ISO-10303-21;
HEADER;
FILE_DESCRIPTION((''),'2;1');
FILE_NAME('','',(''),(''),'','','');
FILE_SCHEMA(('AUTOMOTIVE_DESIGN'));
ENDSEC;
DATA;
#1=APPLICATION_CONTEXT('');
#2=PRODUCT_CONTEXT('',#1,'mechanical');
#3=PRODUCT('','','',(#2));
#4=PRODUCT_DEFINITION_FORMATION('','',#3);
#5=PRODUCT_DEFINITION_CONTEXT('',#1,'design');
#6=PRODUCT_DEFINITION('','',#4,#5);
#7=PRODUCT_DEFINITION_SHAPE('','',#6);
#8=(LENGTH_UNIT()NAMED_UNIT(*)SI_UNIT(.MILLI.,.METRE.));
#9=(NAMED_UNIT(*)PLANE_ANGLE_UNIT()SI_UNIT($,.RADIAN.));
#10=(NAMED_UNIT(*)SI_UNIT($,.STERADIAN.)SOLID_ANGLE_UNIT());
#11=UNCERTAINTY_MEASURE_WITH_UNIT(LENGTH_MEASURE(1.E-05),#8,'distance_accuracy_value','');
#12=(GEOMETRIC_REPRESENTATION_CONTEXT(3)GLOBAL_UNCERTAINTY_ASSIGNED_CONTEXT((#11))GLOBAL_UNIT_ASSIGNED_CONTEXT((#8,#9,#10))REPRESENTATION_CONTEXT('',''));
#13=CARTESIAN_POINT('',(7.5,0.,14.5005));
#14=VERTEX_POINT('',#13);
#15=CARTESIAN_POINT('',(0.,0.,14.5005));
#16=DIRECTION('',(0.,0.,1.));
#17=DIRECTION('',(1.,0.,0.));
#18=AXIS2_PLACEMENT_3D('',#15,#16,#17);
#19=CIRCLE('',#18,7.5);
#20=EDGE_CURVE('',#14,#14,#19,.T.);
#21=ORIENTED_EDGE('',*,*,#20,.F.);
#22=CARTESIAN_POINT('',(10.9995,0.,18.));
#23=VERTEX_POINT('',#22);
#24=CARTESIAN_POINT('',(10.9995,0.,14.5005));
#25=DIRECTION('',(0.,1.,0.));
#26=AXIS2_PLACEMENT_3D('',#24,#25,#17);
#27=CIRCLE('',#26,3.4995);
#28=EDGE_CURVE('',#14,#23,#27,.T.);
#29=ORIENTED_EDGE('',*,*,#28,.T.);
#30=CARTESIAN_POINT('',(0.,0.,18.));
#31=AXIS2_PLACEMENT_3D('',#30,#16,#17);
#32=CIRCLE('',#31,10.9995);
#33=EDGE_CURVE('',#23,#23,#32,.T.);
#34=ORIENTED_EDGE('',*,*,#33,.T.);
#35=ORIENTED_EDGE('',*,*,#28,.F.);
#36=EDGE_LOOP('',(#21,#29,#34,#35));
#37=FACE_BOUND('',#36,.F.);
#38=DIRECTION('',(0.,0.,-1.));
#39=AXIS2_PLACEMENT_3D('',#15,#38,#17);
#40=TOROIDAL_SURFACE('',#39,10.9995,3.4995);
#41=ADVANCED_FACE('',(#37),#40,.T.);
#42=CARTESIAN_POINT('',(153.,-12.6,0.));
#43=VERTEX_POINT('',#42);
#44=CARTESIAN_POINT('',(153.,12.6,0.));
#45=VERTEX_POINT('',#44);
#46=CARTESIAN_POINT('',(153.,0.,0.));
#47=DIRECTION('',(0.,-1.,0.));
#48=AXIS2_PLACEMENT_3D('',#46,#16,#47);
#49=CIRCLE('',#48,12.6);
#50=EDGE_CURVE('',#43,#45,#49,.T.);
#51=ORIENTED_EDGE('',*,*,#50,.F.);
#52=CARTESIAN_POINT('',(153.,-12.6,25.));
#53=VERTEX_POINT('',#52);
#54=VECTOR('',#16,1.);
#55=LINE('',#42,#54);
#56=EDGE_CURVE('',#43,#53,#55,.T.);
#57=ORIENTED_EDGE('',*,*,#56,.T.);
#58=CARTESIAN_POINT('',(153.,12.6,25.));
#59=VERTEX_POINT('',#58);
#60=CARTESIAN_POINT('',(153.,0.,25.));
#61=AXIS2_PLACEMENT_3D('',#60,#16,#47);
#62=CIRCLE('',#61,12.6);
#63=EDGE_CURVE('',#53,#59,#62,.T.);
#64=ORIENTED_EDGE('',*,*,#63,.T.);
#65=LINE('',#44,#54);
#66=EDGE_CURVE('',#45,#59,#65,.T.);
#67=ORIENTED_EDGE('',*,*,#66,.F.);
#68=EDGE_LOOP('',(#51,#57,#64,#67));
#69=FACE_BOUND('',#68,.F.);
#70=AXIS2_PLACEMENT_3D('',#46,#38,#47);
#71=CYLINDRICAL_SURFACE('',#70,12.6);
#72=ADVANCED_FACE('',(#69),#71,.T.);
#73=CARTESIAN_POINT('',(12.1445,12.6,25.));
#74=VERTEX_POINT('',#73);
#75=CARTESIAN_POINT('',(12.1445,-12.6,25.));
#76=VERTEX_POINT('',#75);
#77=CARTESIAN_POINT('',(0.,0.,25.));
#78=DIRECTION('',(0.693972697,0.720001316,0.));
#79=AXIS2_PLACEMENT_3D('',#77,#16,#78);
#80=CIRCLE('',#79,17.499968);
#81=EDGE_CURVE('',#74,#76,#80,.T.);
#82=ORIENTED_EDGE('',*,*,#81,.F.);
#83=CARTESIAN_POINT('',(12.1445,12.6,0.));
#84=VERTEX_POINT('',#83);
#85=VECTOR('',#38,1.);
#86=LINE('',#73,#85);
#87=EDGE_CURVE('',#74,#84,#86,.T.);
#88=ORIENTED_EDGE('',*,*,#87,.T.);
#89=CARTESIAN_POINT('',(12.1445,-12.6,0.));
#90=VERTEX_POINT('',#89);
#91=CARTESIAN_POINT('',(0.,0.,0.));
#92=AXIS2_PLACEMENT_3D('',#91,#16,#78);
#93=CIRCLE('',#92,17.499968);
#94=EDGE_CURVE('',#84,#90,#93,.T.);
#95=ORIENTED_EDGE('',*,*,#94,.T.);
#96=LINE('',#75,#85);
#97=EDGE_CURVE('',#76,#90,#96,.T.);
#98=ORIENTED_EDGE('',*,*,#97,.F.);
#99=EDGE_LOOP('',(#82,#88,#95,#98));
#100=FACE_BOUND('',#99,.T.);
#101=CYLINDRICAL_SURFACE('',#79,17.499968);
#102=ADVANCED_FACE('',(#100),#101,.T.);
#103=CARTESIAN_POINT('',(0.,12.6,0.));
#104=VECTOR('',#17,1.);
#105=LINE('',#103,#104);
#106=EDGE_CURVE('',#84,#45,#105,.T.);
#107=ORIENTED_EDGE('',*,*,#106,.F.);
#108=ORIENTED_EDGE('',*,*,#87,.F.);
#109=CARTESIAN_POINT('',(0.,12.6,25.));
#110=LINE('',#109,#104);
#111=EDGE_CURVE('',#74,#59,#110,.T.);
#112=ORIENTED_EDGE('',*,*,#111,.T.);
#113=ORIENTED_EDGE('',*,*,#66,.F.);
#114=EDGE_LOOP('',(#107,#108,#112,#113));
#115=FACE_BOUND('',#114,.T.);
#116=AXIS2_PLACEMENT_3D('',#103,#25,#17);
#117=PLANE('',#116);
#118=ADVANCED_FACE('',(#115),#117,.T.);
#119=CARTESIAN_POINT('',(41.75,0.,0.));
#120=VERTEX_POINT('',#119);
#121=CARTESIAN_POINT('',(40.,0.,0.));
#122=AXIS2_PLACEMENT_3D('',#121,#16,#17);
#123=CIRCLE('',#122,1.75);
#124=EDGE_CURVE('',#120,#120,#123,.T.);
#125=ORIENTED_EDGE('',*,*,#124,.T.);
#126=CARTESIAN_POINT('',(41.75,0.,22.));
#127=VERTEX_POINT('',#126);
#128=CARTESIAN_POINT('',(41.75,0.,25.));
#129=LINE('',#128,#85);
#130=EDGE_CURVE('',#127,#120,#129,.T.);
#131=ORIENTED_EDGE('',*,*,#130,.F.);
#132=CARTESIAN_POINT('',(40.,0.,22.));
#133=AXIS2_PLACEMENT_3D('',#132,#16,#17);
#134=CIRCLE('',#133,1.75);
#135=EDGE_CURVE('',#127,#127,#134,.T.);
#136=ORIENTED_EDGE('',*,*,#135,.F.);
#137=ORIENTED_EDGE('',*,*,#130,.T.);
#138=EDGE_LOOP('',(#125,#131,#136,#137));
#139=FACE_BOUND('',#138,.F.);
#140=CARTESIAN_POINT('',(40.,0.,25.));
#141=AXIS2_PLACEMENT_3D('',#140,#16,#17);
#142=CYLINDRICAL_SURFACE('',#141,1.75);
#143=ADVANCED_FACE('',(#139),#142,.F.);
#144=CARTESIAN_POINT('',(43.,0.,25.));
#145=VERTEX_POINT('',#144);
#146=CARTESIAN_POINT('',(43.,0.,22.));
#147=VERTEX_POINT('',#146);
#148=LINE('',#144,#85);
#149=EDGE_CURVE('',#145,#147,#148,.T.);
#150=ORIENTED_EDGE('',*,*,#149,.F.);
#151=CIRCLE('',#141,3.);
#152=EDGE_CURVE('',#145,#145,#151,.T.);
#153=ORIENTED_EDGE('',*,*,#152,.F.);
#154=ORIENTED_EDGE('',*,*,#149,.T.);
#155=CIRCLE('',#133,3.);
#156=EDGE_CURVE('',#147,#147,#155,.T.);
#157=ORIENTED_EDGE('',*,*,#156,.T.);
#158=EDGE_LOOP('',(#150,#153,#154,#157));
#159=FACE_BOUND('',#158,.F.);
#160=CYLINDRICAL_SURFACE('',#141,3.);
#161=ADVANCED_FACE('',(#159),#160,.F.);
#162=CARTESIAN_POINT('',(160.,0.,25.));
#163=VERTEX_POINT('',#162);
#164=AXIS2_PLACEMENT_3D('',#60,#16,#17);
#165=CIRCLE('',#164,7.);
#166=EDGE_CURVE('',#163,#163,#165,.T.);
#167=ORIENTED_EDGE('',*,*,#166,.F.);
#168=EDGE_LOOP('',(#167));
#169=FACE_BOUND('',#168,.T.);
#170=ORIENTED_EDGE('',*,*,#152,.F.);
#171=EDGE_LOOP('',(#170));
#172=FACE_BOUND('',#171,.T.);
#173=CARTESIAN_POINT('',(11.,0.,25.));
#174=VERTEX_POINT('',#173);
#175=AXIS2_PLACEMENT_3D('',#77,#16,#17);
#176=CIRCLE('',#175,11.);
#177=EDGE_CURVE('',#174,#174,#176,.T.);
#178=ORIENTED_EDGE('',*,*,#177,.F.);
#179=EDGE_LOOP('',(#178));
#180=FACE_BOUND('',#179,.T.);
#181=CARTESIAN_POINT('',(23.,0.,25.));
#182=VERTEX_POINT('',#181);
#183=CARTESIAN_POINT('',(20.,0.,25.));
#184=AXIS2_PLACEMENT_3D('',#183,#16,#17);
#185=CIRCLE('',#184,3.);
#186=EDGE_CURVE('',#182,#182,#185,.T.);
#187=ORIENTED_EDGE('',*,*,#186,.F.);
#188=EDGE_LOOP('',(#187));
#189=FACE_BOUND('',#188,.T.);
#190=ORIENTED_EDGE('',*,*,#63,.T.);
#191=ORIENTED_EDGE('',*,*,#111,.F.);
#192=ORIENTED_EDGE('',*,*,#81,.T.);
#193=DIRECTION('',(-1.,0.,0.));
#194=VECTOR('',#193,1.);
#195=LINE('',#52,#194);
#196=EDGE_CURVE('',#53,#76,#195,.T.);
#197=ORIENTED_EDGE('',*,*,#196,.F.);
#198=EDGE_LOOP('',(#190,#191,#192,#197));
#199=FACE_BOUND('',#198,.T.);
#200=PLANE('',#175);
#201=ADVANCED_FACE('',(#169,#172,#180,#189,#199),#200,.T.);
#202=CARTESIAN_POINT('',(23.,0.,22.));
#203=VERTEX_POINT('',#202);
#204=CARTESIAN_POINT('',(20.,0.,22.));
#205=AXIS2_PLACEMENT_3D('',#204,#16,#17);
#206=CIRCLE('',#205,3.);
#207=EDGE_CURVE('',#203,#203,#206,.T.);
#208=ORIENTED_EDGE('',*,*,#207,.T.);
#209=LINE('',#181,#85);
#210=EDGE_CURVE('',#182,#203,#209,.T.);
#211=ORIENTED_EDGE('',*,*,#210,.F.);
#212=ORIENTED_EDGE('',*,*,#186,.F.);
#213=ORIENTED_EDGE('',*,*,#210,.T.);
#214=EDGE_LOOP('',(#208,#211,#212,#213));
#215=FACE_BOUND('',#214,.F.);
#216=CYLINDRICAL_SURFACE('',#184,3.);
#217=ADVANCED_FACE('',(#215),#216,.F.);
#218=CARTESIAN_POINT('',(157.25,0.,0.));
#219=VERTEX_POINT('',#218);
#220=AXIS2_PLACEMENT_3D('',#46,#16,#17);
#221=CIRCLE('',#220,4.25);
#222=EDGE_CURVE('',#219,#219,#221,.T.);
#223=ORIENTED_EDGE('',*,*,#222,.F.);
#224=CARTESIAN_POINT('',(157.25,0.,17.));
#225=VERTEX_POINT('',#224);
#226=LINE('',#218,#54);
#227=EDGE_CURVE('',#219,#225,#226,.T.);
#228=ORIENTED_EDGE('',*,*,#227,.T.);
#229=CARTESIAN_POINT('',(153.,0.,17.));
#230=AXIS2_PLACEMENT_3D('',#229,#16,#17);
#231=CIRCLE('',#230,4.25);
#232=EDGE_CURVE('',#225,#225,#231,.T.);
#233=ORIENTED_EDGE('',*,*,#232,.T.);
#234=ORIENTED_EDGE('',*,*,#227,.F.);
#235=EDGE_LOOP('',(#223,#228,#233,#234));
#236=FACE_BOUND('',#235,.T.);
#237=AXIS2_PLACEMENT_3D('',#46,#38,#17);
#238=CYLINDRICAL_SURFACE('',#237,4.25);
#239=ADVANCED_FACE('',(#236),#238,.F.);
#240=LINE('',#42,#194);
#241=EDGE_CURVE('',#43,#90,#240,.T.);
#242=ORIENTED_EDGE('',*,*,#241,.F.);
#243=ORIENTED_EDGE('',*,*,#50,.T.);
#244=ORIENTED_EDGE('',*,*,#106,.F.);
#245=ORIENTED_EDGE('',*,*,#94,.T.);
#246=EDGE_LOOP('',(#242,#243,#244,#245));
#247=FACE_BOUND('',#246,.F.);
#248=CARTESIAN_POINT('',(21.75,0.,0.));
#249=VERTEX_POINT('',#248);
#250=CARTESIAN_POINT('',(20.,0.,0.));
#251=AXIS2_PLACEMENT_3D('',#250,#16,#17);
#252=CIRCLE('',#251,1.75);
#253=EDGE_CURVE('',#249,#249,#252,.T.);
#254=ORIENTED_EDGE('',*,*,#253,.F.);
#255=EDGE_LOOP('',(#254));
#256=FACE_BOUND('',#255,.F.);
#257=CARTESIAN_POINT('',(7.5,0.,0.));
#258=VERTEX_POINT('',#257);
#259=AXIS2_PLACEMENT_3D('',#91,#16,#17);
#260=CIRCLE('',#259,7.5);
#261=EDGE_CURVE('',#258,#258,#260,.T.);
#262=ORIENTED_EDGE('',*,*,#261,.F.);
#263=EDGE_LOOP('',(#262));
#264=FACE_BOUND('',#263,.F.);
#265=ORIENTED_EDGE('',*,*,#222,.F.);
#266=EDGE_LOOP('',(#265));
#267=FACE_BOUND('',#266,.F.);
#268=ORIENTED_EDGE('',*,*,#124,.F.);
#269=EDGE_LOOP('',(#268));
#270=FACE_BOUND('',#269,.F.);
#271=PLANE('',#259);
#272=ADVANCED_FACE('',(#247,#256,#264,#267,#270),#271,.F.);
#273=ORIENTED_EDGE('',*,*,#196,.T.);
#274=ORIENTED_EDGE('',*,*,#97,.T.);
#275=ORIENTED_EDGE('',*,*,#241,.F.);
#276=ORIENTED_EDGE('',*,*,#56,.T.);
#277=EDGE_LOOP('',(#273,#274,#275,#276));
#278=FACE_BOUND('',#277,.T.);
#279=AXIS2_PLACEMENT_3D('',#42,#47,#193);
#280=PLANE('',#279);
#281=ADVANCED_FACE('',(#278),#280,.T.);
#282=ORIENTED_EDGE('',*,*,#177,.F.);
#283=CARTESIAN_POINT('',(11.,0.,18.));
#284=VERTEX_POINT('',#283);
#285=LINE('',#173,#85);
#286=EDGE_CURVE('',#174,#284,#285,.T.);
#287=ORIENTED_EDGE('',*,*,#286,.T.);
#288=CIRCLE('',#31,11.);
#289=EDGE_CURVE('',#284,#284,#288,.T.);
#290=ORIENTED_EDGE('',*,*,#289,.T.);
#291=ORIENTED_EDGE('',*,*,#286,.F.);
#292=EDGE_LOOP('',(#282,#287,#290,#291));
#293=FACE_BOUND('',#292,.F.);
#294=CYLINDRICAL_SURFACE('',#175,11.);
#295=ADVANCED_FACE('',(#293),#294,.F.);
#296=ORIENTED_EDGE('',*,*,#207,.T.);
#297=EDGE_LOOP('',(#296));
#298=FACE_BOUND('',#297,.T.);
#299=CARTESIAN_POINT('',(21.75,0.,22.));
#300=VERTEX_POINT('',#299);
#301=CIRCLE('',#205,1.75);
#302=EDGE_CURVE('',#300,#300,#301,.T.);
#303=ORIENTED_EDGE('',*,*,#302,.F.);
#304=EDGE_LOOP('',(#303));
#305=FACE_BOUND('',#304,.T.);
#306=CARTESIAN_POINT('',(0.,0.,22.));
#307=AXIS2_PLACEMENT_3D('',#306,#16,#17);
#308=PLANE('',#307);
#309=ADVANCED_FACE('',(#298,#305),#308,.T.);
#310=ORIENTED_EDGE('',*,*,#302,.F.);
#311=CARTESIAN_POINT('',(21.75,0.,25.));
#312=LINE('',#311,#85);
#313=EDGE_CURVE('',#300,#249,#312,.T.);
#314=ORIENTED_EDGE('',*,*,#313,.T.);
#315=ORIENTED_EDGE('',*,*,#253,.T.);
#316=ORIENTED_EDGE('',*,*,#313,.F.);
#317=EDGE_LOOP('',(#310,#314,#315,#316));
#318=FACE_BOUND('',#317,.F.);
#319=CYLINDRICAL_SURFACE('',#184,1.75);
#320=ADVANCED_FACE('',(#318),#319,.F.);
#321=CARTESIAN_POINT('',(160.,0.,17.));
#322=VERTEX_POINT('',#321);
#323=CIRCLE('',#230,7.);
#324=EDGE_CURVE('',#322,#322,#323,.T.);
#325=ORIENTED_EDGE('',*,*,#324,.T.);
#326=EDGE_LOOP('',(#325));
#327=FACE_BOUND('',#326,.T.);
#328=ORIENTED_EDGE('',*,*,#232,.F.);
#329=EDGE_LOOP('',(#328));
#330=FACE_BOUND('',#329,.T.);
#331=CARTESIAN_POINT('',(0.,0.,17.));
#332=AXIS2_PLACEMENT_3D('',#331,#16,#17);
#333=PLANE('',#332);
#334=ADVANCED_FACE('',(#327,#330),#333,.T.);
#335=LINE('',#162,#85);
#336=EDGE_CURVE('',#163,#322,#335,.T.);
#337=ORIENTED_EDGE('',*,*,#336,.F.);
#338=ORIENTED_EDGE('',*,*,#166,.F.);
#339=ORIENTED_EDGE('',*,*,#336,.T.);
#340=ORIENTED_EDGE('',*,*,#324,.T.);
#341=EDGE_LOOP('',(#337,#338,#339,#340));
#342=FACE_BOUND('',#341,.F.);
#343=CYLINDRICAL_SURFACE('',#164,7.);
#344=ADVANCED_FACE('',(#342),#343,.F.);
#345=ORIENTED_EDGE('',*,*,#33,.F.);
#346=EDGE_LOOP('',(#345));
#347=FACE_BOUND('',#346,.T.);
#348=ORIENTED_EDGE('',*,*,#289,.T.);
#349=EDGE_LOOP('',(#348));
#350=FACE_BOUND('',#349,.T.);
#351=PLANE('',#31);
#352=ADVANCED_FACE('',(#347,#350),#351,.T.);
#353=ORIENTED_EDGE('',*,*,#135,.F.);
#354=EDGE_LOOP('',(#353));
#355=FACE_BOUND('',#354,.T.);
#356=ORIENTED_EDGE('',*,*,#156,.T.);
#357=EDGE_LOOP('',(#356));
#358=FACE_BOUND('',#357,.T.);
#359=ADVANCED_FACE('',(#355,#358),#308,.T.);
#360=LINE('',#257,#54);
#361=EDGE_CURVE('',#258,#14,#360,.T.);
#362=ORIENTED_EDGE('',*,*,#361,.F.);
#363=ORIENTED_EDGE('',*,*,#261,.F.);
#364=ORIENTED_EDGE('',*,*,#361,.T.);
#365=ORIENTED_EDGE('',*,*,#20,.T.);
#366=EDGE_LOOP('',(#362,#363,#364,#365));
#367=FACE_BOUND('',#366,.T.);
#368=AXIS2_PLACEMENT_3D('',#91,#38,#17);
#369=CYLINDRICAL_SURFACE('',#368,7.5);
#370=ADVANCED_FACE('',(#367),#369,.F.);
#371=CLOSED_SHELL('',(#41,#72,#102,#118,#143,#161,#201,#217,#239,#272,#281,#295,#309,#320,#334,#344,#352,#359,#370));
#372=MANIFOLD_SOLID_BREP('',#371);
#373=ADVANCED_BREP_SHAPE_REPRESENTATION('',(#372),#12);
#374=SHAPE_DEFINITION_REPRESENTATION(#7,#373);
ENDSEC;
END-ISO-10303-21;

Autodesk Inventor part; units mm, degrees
ref_plane "YZ Plane" through (0, 0, 0) normal (1, 0, 0) x (0, 1, 0)
ref_plane "XZ Plane" through (0, 0, 0) normal (0, 1, 0) x (-1, 0, 0)
ref_plane "XY Plane" through (0, 0, 0) normal (0, 0, 1) x (1, 0, 0)
sketch "Sketch1" plane through (0, 0, 0) normal (0, 0, 1) x (1, 0, 0)
  line L0 (0, 12.6) -> (153, 12.6)
  arc A0 (153, -12.6) -> (153, 12.6) centre (153, 0) ccw
  line L1 (153, -12.6) -> (0, -12.6)
  arc A1 (0, 12.6) -> (0, -12.6) centre (0, 0) ccw
  circle A2 centre (0, 0) radius 7.5
  circle A3 centre (153, 0) radius 4.25
  dimension "d0" = 153
  dimension "d2" = 12.6
  dimension "d3" = 15
  dimension "d4" = 8.5
extrude "Extrusion1" add sketch "Sketch1" along normal blind 25
sketch "Sketch2" plane through (0, 0, 25) normal (0, 0, 1) x (1, 0, 0)
  circle A0 centre (0, 0) radius 7.5 projected
  arc A1 (0, 12.6) -> (0, -12.6) centre (0, 0) ccw projected
  circle A2 centre (0, 0) radius 11
  dimension "d7" = 22
extrude "Extrusion2" cut sketch "Sketch2" against normal blind 7
sketch "Sketch4" plane through (0, 0, 25) normal (0, 0, 1) x (1, 0, 0)
  circle A0 centre (0, 0) radius 11 projected
  circle A1 centre (20, 0) radius 1.75
  circle A2 centre (40, 0) radius 1.75
  dimension "d16" = 20
  dimension "d17" = 40
  dimension "d23" = 3.5
extrude "Extrusion3" cut sketch "Sketch4" against normal through all contours A1 | A2
sketch "Sketch5" plane through (0, 0, 25) normal (0, 0, 1) x (1, 0, 0)
  circle A0 centre (20, 0) radius 1.75 projected
  circle A1 centre (40, 0) radius 1.75 projected
  circle A2 centre (40, 0) radius 3
  circle A3 centre (20, 0) radius 3
  dimension "d28" = 6
extrude "Extrusion4" cut sketch "Sketch5" against normal blind 3
sketch "Sketch6" plane through (0, 0, 25) normal (0, 0, 1) x (1, 0, 0)
  line L0 (153, 12.6) -> (0, 12.6) projected
  arc A0 (0, 12.6) -> (0, -12.6) centre (0, 0) ccw projected
  line L1 (0, -12.6) -> (153, -12.6) projected
  arc A1 (12.1445, 12.6) -> (12.1445, -12.6) centre (0, 0) ccw
  dimension "d24" = 35
extrude "Extrusion5" add sketch "Sketch6" against normal up to surface (25 mm away)
sketch "Sketch7" plane through (0, 0, 25) normal (0, 0, 1) x (1, 0, 0)
  circle A0 centre (153, 0) radius 4.25 projected
  arc A1 (153, -12.6) -> (153, 12.6) centre (153, 0) ccw projected
  circle A2 centre (153, 0) radius 7
  dimension "d30" = 14
extrude "Extrusion6" cut sketch "Sketch7" against normal blind 8
fillet "Fillet1" radius 3.5 1 edges at (-7.5, 0, 18)
properties part number "driven arm"
